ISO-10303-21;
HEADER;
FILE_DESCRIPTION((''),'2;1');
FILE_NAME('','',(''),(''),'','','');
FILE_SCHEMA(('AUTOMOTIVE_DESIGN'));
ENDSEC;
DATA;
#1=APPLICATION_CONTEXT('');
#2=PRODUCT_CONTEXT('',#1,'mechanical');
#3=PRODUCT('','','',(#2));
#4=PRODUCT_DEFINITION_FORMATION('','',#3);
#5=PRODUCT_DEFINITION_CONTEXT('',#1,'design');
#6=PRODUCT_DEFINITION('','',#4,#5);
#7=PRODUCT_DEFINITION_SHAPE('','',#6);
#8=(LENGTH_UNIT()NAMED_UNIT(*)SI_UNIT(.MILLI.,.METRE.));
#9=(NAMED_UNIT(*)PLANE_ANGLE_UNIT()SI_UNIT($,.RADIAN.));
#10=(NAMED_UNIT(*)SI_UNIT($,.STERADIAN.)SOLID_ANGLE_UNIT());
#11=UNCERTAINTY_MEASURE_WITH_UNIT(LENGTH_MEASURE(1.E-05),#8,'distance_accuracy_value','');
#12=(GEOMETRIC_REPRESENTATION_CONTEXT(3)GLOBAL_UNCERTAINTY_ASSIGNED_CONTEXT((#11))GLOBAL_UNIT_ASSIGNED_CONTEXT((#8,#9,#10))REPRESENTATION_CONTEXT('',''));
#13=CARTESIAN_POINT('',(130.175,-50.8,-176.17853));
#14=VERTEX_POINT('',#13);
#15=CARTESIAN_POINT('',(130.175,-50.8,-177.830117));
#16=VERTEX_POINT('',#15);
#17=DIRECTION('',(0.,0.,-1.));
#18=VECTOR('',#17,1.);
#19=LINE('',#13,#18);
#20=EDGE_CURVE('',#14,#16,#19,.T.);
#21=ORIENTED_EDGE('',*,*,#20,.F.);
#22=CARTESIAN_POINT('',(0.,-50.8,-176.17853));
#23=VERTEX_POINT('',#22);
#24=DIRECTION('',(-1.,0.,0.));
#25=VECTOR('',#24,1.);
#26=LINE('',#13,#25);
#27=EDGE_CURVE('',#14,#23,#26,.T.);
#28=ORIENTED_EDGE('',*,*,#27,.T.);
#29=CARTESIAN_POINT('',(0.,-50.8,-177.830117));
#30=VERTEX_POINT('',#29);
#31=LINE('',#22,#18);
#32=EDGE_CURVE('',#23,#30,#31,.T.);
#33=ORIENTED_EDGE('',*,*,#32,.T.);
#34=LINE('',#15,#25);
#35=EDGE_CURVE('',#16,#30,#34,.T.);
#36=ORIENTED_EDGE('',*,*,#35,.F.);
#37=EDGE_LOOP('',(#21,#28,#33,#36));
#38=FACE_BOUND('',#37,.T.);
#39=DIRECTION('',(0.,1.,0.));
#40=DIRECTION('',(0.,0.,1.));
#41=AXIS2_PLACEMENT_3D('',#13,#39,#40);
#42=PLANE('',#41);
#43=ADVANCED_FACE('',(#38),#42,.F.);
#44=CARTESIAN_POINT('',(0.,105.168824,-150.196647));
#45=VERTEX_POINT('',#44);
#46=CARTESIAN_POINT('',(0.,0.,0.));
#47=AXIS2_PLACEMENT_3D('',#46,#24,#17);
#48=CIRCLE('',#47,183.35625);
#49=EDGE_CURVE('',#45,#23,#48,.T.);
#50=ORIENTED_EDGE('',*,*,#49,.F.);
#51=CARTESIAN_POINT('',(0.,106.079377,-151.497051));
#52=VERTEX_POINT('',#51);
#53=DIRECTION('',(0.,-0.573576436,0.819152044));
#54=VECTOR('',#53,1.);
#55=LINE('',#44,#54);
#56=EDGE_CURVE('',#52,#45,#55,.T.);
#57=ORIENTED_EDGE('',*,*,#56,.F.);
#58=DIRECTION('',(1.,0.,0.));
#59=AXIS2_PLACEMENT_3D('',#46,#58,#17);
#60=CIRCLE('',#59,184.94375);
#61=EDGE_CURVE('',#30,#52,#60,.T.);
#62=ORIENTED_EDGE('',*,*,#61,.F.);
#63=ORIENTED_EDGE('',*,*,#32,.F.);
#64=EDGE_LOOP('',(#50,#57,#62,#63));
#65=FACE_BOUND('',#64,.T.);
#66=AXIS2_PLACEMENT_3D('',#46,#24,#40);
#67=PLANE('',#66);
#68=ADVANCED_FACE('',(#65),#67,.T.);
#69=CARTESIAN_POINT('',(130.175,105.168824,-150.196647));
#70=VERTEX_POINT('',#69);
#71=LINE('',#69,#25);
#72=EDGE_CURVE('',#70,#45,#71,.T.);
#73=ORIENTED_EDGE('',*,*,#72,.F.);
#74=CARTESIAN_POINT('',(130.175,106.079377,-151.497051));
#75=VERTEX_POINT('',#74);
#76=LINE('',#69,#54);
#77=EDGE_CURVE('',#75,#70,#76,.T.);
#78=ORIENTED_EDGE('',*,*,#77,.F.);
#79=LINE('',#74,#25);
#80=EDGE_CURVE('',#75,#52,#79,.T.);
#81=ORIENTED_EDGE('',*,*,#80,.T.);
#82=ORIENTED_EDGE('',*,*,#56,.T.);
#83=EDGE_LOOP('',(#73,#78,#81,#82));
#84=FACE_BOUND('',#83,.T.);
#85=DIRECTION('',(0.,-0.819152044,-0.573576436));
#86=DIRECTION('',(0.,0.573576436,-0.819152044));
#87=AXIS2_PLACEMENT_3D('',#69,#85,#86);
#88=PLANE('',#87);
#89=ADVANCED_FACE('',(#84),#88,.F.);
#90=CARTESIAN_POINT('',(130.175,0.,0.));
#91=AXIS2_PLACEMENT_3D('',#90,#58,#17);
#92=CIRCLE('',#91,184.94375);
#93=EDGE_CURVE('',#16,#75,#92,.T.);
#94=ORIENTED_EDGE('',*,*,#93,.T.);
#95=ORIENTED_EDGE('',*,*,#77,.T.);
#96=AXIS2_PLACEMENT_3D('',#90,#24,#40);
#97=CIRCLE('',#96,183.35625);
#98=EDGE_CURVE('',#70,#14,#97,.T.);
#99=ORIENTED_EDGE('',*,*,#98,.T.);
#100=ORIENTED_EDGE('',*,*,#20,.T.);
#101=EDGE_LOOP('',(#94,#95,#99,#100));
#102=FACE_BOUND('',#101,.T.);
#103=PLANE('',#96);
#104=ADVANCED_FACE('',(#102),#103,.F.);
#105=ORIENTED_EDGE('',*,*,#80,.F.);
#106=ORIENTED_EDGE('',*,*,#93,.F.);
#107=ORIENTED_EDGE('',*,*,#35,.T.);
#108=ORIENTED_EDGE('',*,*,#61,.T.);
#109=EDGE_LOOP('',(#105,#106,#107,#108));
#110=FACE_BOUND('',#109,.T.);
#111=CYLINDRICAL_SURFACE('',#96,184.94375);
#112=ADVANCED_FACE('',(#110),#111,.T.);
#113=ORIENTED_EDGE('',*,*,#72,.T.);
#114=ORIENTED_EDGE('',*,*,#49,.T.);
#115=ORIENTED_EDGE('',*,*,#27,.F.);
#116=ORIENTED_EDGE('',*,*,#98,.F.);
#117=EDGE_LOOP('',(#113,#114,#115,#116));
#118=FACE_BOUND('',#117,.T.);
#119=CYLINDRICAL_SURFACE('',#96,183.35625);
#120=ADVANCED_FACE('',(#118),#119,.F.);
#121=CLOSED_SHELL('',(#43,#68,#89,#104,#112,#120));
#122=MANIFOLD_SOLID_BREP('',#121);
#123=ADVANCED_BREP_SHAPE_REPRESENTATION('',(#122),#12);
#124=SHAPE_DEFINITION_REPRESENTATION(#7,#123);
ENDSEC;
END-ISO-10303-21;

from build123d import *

# Parameters (mm, degrees)
BOSS_EXTRUDE1_DEPTH = 130.175


with BuildPart() as part:
    # Sketch1 → Boss-Extrude1 (new body)
    with BuildSketch(Plane(origin=(0, 0, 0), x_dir=(0, 0, -1), z_dir=(1, 0, 0))):
        with BuildLine():
            Line((176.178529946, -50.8), (177.830117427, -50.8))
            ThreePointArc((177.830117427, -50.8), (182.392106967, 30.615518615), (151.497050891, 106.07937705))
            Line((151.497050891, 106.07937705), (150.196647021, 105.168824458))
            ThreePointArc((150.196647021, 105.168824458), (174.869963651, 55.13628775), (183.35625, 0))
            ThreePointArc((183.35625, 0), (181.552952325, -25.652288715), (176.178529946, -50.8))
        make_face()
    extrude(amount=BOSS_EXTRUDE1_DEPTH)


solid = part.part
